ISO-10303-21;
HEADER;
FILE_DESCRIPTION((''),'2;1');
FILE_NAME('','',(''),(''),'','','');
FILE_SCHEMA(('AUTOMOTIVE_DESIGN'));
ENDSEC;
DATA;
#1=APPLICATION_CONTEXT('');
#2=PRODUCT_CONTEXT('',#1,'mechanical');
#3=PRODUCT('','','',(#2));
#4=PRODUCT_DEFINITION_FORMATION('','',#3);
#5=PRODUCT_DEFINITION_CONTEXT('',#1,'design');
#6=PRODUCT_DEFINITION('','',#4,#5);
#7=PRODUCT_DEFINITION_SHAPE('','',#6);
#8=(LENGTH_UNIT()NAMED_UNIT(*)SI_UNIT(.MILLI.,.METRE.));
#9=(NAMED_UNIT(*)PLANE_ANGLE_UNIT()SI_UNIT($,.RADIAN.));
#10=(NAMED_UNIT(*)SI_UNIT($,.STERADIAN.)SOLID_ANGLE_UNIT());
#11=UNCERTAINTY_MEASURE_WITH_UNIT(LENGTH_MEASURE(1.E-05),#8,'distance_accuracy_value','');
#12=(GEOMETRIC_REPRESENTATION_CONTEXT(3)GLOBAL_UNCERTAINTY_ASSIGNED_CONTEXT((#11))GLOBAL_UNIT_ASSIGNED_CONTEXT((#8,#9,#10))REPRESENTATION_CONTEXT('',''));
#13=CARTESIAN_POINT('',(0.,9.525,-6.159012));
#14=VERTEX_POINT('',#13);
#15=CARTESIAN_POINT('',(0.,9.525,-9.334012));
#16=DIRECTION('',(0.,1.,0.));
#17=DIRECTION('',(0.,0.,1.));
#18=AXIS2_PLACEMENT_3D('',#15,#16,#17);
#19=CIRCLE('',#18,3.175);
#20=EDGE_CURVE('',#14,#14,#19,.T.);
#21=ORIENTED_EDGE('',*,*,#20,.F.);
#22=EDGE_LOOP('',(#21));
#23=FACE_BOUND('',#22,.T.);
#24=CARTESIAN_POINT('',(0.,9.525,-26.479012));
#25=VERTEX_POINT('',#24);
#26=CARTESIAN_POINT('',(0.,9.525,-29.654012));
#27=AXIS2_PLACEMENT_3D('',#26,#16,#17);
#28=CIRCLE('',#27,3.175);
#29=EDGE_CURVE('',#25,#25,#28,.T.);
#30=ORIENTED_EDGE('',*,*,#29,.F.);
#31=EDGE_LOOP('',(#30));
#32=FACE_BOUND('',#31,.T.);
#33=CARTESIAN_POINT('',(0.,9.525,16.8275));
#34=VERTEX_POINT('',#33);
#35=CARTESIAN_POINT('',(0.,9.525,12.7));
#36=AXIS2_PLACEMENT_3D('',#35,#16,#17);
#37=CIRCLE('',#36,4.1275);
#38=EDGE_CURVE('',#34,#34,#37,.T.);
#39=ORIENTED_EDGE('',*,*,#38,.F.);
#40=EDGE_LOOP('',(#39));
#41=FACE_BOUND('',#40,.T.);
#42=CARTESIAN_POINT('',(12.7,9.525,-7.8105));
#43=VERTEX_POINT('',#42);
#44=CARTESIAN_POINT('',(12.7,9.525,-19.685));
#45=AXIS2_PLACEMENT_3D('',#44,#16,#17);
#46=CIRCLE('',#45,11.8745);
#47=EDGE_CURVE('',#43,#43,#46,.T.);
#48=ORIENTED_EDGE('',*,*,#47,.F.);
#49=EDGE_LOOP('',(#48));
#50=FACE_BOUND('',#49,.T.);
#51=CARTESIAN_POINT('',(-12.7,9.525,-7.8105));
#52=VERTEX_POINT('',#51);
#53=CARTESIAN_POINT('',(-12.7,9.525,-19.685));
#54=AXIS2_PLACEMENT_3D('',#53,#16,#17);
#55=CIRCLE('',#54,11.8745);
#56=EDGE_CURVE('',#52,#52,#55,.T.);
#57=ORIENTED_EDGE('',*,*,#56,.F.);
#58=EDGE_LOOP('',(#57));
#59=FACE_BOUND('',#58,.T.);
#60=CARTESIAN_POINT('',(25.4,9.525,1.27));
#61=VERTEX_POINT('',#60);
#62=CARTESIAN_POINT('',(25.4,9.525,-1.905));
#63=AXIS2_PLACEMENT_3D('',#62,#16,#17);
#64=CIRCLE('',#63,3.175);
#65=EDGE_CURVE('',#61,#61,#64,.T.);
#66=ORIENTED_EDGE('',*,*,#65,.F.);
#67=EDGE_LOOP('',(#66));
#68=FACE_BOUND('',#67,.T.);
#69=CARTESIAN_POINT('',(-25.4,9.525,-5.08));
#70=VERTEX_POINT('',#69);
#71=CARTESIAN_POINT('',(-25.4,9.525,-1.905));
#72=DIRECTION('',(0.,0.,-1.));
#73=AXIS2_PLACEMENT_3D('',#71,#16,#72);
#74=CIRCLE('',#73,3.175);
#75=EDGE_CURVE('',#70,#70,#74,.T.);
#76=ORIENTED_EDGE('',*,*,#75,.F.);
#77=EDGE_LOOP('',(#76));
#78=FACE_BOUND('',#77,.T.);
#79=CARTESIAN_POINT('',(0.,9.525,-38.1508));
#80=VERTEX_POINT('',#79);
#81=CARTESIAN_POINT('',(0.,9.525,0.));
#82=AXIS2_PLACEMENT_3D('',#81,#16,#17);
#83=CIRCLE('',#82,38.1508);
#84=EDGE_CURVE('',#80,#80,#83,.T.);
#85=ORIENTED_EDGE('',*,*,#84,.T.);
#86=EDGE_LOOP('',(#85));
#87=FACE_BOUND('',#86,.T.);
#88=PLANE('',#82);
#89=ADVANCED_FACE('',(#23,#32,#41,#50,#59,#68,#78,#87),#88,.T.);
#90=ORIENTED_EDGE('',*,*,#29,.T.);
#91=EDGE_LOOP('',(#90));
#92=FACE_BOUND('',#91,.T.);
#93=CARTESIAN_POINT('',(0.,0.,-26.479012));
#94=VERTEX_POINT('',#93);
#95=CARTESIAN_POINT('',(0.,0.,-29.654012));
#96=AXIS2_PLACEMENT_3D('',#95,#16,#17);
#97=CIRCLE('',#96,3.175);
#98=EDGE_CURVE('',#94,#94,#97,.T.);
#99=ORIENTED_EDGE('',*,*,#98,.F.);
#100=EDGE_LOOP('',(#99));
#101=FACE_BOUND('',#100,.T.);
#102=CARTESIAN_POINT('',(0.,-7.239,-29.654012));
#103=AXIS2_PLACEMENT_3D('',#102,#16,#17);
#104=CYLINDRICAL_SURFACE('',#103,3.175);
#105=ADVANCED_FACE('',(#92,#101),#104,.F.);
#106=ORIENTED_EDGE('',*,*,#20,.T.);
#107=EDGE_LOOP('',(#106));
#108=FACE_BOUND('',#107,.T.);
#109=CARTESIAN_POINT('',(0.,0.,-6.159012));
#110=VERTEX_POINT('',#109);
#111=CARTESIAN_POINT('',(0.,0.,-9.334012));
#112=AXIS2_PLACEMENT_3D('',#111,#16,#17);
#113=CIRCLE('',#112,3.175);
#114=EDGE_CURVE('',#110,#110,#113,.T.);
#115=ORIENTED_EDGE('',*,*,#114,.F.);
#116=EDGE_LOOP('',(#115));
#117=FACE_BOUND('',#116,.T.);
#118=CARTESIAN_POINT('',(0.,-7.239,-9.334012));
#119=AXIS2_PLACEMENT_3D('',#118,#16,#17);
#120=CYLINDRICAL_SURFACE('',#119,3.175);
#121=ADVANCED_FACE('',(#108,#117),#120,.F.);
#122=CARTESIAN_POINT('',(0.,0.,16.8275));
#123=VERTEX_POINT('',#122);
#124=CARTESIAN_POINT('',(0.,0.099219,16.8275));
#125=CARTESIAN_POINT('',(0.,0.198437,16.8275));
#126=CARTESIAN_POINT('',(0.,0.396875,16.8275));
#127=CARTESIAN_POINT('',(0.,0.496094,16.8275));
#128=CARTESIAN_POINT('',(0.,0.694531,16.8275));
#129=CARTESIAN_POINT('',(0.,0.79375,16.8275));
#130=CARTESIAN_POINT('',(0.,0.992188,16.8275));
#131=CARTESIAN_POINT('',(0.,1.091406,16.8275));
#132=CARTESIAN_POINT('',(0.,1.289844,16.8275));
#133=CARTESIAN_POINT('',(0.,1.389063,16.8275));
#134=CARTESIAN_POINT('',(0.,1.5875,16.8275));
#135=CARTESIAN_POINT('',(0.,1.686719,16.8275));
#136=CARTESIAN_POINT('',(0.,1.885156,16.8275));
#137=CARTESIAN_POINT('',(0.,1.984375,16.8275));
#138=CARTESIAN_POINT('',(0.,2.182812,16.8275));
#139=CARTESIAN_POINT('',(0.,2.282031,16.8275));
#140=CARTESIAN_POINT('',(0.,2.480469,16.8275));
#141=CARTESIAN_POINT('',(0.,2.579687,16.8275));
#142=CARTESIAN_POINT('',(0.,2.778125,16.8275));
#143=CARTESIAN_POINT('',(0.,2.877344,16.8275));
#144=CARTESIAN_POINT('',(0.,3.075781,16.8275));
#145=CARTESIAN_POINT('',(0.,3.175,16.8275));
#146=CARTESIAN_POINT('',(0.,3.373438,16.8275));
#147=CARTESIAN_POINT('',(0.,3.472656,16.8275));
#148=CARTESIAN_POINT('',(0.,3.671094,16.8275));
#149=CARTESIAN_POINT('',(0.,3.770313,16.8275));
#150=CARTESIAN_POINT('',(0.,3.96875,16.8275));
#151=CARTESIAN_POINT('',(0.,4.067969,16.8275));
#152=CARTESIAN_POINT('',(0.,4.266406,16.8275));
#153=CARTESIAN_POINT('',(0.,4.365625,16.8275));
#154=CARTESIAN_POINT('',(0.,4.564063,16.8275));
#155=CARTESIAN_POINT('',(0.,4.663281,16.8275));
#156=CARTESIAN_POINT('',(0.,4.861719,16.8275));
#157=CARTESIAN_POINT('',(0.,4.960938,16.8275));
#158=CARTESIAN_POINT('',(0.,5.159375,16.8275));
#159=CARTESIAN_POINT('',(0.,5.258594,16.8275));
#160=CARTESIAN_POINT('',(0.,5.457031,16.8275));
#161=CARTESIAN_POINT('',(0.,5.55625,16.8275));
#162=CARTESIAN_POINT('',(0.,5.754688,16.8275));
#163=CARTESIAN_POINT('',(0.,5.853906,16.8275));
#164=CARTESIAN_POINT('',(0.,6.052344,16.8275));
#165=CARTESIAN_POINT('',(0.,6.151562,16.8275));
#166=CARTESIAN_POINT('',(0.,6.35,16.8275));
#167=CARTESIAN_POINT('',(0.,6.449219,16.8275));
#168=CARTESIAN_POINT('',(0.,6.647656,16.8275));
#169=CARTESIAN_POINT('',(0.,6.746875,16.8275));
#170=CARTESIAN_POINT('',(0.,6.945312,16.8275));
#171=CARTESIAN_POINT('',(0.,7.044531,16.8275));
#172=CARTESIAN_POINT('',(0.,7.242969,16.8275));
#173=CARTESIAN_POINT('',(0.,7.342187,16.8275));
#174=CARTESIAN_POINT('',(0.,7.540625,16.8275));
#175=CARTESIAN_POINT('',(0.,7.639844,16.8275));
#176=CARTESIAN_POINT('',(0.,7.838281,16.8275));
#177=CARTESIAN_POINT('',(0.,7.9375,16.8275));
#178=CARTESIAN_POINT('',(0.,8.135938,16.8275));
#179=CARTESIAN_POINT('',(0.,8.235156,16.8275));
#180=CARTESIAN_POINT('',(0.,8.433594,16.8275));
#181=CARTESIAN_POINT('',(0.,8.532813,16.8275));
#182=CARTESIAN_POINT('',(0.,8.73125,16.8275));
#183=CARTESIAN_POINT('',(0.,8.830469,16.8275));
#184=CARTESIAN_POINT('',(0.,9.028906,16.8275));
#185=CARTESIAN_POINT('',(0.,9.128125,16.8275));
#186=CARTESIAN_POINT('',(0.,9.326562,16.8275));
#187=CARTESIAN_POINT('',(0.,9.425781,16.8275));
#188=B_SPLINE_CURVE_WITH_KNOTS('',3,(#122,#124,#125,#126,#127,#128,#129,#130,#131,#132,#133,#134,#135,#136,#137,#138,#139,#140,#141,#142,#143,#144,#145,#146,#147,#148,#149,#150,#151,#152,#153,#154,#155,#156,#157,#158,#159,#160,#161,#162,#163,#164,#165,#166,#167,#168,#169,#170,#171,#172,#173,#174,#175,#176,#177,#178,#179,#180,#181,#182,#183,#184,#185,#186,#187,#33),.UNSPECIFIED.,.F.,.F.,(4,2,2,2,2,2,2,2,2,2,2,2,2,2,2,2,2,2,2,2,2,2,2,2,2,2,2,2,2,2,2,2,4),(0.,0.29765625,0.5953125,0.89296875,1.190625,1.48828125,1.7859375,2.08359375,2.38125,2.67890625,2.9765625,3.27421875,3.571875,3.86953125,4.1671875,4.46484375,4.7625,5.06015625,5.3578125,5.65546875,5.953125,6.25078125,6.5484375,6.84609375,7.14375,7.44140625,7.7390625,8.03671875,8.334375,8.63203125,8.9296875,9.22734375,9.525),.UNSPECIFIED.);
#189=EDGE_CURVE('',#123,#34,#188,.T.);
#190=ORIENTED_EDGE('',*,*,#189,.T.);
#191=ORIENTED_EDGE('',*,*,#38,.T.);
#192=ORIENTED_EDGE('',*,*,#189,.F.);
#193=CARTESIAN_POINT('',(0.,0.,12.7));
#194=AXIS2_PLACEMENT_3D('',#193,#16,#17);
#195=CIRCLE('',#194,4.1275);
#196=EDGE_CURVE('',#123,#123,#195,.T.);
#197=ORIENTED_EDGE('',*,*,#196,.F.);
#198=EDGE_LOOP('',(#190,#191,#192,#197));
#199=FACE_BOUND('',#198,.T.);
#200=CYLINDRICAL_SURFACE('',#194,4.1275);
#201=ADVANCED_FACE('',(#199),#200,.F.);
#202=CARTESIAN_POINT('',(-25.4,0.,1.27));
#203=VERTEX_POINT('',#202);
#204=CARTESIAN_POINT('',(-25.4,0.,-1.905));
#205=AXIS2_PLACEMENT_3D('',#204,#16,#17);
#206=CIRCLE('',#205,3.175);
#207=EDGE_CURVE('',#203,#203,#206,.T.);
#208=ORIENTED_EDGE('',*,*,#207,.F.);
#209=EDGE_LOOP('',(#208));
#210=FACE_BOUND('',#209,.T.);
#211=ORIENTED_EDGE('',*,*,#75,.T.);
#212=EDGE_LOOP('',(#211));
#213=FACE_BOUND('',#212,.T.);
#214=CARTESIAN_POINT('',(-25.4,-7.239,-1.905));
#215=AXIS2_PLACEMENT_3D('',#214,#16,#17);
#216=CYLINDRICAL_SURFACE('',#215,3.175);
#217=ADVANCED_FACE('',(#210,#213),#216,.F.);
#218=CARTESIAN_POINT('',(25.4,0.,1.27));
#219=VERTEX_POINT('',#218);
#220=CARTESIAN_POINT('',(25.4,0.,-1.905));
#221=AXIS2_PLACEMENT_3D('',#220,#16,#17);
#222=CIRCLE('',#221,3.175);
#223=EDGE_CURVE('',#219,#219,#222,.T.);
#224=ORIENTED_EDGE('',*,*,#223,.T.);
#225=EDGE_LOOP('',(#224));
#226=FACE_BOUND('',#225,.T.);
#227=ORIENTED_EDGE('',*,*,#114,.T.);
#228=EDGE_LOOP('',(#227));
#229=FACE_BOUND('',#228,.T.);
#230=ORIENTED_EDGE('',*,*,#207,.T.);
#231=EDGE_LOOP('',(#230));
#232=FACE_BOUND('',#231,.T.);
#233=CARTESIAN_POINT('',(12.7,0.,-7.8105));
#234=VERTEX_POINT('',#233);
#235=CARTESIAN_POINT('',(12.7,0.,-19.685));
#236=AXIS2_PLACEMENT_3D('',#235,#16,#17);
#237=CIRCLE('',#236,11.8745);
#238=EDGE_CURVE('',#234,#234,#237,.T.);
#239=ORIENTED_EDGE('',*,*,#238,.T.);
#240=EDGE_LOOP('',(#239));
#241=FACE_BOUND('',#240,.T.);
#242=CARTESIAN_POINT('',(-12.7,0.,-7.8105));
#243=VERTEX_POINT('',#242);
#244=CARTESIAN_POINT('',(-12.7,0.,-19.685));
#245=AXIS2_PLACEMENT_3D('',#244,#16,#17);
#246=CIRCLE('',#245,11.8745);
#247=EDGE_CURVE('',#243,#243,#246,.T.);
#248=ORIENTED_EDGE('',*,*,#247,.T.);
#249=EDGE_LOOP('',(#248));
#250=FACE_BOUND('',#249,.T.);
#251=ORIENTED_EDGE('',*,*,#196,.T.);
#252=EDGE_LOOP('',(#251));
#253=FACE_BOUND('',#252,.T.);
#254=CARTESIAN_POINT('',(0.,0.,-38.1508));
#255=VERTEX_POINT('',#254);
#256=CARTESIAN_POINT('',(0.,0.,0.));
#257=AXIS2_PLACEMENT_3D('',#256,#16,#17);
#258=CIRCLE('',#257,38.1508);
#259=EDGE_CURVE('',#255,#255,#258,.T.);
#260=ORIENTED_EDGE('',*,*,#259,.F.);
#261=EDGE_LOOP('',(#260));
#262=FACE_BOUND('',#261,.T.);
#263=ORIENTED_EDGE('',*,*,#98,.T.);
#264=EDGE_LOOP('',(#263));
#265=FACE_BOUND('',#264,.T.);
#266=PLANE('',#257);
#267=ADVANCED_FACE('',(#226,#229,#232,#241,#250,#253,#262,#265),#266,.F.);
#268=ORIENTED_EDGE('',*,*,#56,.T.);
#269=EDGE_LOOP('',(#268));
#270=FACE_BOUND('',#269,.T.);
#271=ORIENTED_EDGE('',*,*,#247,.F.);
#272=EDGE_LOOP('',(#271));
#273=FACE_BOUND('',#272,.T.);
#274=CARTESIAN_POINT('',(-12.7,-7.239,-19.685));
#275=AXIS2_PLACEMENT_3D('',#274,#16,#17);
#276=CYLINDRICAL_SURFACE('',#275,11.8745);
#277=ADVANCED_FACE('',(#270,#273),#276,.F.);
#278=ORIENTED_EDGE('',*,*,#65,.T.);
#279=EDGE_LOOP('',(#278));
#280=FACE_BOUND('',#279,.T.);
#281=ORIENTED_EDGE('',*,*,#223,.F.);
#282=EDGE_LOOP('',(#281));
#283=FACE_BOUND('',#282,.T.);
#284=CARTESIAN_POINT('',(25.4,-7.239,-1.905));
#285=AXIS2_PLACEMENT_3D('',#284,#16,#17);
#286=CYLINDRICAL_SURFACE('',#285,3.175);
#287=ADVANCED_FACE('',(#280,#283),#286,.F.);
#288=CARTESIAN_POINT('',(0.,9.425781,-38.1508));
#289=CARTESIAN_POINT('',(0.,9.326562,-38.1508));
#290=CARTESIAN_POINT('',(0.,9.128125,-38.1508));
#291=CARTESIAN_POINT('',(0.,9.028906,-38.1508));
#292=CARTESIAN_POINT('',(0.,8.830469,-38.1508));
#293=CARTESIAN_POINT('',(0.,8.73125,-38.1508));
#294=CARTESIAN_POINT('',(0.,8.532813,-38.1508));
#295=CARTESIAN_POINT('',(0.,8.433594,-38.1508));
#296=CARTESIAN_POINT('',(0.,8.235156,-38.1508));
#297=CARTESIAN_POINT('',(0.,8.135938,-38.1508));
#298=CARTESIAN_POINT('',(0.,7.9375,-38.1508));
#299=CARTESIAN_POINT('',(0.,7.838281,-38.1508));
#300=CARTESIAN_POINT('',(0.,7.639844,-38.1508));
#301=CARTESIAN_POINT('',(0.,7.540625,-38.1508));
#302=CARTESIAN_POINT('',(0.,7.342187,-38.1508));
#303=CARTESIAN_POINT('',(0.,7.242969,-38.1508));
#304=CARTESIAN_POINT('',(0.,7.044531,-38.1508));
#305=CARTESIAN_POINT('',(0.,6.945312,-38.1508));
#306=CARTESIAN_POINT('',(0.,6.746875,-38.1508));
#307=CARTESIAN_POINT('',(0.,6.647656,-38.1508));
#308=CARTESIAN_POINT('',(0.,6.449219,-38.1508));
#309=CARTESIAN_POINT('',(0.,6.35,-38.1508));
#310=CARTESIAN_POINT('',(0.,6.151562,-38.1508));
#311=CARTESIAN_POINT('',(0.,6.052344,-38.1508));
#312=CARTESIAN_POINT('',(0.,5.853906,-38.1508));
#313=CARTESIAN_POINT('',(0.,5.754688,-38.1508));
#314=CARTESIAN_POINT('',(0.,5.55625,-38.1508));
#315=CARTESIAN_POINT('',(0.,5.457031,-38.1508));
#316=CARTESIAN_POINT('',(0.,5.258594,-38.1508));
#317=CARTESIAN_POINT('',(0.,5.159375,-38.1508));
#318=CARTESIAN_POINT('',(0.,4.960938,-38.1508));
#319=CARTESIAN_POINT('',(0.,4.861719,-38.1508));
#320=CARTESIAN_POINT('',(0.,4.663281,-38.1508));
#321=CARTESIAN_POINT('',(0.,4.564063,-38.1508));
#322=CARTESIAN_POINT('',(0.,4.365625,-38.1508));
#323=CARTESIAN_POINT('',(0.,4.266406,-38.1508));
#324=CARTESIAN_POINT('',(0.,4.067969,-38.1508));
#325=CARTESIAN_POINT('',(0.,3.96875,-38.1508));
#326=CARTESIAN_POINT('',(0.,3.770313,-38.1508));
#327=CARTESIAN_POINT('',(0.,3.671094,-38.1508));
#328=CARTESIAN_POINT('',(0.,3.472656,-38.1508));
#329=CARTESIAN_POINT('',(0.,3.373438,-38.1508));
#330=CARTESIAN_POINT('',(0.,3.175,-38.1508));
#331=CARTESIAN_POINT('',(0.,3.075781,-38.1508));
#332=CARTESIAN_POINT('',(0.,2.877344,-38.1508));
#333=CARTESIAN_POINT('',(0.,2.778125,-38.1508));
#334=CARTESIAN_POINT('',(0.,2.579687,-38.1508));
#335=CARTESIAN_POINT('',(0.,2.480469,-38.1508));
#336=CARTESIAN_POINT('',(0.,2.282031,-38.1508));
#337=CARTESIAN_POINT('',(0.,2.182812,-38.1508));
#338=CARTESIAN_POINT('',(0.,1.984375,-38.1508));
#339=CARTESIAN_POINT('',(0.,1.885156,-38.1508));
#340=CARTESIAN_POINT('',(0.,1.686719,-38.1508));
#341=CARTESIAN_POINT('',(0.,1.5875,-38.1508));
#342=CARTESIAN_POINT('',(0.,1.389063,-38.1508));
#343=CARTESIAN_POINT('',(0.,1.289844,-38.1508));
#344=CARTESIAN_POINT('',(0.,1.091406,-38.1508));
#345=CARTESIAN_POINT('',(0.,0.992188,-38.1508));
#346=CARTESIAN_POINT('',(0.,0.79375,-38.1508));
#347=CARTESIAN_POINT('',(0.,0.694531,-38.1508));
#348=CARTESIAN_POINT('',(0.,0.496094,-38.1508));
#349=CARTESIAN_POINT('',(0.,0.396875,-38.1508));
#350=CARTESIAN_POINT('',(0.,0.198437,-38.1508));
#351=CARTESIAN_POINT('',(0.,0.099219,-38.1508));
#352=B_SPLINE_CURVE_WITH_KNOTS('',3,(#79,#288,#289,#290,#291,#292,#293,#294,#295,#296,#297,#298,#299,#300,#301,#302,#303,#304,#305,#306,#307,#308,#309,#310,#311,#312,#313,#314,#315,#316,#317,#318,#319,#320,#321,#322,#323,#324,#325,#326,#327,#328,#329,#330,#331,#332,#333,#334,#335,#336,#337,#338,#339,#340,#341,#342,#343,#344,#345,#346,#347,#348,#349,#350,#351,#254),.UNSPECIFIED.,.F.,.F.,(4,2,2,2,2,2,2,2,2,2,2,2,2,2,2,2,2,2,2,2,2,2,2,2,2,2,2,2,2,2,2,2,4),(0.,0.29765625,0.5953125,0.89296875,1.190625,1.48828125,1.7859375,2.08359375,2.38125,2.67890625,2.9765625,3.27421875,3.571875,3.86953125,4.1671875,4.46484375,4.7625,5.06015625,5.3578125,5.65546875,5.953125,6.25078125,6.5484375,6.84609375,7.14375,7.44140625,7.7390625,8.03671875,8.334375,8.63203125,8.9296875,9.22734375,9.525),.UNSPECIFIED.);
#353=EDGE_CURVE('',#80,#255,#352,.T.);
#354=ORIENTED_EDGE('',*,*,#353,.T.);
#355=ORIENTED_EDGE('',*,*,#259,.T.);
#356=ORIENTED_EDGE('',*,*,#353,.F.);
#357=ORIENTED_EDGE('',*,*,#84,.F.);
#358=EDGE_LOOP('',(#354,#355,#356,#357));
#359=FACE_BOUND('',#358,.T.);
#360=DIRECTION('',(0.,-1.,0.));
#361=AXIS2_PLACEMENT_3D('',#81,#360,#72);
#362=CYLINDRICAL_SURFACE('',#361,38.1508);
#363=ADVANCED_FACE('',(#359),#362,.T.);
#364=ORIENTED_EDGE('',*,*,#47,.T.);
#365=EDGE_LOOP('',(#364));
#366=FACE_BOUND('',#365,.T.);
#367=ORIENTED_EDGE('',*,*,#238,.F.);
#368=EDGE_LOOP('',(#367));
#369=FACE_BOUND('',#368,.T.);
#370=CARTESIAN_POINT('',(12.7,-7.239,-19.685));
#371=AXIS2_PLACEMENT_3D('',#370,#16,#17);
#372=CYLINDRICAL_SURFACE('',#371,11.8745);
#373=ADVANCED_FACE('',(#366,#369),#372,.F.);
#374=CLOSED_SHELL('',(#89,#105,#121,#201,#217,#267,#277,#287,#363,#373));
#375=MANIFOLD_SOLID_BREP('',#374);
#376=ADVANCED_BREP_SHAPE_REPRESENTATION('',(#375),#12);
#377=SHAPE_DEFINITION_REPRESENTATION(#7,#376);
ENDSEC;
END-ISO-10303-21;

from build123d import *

# Parameters (mm, degrees)
SKETCH1_R           = 38.1508
BOSS_EXTRUDE1_DEPTH = 9.525
SKETCH19_R          = 11.8745
SKETCH19_R_2        = 3.175
CUT_EXTRUDE1_DEPTH  = 16.764
SKETCH18_R          = 3.175
CUT_EXTRUDE2_DEPTH  = 16.764
SKETCH21_R          = 4.1275
CUT_EXTRUDE3_DEPTH  = 55.787705795


with BuildPart() as part:
    # Sketch1 → Boss-Extrude1 (new body)
    with BuildSketch(Plane(origin=(0, 0, 0), x_dir=(1, 0, 0), z_dir=(0, 1, 0))):
        Circle(SKETCH1_R)
    extrude(amount=BOSS_EXTRUDE1_DEPTH)

    # Sketch19 → Cut-Extrude1 (cut)
    with BuildSketch(Plane(origin=(0, 9.525, 0), x_dir=(1, 0, 0), z_dir=(0, 1, 0))):
        with Locations((-12.7, 19.685)):
            Circle(SKETCH19_R)
        with Locations((12.7, 19.685)):
            Circle(SKETCH19_R)
        with Locations((0, 29.654011512)):
            Circle(SKETCH19_R_2)
        with Locations((0, 9.334011512)):
            Circle(SKETCH19_R_2)
    extrude(amount=-CUT_EXTRUDE1_DEPTH, mode=Mode.SUBTRACT)

    # Sketch18 → Cut-Extrude2 (cut)
    with BuildSketch(Plane(origin=(0, 9.525, 0), x_dir=(1, 0, 0), z_dir=(0, 1, 0))):
        with Locations((25.4, 1.905)):
            Circle(SKETCH18_R)
        with Locations((-25.4, 1.905)):
            Circle(SKETCH18_R)
    extrude(amount=-CUT_EXTRUDE2_DEPTH, mode=Mode.SUBTRACT)

    # Sketch21 → Cut-Extrude3 (cut, through all)
    with BuildSketch(Plane(origin=(0, 9.525, 0), x_dir=(1, 0, 0), z_dir=(0, 1, 0))):
        with Locations((0, -12.7)):
            Circle(SKETCH21_R)
    extrude(amount=-CUT_EXTRUDE3_DEPTH, mode=Mode.SUBTRACT)


solid = part.part
